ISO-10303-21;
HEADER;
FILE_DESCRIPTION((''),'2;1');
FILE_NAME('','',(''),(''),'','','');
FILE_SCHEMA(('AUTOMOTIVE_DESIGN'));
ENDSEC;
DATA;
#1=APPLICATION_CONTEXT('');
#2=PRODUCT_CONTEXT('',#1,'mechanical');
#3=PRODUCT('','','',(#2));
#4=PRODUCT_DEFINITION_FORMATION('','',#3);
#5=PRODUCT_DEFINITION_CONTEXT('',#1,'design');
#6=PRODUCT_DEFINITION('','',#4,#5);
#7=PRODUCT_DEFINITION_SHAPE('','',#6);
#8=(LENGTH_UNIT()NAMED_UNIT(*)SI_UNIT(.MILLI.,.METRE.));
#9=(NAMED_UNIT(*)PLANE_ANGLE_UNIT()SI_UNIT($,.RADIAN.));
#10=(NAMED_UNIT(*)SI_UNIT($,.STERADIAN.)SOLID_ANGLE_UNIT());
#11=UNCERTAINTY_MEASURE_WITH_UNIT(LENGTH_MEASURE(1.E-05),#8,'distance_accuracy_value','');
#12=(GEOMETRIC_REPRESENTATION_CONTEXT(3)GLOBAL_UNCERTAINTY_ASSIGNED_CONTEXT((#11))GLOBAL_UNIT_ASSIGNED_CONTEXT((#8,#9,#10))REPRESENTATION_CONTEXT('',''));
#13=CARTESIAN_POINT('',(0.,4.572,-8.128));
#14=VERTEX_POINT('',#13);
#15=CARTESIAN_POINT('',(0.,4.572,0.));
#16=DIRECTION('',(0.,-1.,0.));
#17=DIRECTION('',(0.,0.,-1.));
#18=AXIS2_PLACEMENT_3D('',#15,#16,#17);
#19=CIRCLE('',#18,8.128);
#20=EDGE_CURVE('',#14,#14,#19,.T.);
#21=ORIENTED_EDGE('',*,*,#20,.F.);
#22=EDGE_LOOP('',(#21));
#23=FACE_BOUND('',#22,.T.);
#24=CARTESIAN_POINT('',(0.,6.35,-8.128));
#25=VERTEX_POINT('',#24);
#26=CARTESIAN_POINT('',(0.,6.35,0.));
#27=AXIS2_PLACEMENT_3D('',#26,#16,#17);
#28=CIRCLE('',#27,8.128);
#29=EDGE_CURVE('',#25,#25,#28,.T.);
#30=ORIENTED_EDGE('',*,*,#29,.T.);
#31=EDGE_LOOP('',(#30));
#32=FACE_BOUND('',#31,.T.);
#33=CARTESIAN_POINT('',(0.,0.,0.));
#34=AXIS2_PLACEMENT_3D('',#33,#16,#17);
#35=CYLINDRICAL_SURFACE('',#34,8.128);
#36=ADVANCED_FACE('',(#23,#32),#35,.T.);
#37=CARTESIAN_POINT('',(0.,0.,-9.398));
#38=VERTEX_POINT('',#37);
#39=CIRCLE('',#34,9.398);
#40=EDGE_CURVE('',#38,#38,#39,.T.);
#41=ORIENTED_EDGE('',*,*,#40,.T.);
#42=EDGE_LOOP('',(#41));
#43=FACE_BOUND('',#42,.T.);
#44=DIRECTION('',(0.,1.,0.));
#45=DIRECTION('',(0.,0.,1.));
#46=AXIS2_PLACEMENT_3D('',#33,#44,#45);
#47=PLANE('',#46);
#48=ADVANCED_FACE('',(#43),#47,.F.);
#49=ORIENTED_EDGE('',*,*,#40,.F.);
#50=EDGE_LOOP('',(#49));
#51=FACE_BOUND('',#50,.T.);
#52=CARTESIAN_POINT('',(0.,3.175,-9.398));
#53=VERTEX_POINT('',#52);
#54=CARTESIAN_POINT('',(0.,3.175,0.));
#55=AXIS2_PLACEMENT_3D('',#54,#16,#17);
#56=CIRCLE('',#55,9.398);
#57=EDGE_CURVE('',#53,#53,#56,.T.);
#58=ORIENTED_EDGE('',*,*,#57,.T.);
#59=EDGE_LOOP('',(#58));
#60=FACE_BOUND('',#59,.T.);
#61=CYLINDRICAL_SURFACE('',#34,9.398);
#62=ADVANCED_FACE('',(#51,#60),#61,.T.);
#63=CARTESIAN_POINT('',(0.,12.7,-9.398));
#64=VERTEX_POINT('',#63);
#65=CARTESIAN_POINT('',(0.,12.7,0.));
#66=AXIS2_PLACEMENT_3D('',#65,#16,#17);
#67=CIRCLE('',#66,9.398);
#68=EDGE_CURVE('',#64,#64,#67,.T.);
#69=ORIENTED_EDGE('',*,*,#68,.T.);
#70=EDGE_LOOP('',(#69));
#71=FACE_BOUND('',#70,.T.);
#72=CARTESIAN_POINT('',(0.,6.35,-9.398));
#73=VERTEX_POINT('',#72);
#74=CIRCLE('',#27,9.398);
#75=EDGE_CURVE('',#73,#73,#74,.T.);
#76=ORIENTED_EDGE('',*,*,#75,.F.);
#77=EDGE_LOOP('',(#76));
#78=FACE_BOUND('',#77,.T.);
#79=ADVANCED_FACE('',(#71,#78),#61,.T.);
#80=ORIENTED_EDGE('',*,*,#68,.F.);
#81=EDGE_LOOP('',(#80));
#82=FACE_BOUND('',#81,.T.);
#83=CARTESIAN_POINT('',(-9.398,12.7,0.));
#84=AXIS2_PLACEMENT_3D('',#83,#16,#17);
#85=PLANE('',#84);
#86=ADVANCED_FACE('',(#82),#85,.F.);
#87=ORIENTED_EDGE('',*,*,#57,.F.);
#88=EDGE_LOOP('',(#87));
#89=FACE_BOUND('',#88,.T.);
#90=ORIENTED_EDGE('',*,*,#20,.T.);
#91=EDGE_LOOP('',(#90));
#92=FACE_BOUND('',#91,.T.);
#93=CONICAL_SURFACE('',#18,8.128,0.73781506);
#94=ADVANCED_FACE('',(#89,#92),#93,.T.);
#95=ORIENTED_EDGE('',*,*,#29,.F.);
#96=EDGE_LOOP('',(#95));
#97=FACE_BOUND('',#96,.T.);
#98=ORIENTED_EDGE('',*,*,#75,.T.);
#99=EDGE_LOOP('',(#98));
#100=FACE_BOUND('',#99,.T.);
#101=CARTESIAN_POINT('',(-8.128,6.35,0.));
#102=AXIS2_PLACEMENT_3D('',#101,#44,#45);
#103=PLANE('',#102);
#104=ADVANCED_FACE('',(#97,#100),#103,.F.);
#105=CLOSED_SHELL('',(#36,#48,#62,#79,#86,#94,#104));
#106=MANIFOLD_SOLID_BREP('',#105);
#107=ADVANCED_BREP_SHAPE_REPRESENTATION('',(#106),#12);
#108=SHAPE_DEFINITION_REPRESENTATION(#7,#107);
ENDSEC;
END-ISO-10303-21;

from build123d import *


with BuildPart() as part:
    # Sketch1 → Revolve1 (revolve)
    with BuildSketch(Plane.XY):
        Polygon((0, 0), (-9.398, 0), (-9.398, 3.175), (-8.128, 4.572), (-8.128, 6.35), (-9.398, 6.35), (-9.398, 12.7), (0, 12.7), align=None)
    revolve(axis=Axis((0, 0, 0), (0, 1, 0)))


solid = part.part
